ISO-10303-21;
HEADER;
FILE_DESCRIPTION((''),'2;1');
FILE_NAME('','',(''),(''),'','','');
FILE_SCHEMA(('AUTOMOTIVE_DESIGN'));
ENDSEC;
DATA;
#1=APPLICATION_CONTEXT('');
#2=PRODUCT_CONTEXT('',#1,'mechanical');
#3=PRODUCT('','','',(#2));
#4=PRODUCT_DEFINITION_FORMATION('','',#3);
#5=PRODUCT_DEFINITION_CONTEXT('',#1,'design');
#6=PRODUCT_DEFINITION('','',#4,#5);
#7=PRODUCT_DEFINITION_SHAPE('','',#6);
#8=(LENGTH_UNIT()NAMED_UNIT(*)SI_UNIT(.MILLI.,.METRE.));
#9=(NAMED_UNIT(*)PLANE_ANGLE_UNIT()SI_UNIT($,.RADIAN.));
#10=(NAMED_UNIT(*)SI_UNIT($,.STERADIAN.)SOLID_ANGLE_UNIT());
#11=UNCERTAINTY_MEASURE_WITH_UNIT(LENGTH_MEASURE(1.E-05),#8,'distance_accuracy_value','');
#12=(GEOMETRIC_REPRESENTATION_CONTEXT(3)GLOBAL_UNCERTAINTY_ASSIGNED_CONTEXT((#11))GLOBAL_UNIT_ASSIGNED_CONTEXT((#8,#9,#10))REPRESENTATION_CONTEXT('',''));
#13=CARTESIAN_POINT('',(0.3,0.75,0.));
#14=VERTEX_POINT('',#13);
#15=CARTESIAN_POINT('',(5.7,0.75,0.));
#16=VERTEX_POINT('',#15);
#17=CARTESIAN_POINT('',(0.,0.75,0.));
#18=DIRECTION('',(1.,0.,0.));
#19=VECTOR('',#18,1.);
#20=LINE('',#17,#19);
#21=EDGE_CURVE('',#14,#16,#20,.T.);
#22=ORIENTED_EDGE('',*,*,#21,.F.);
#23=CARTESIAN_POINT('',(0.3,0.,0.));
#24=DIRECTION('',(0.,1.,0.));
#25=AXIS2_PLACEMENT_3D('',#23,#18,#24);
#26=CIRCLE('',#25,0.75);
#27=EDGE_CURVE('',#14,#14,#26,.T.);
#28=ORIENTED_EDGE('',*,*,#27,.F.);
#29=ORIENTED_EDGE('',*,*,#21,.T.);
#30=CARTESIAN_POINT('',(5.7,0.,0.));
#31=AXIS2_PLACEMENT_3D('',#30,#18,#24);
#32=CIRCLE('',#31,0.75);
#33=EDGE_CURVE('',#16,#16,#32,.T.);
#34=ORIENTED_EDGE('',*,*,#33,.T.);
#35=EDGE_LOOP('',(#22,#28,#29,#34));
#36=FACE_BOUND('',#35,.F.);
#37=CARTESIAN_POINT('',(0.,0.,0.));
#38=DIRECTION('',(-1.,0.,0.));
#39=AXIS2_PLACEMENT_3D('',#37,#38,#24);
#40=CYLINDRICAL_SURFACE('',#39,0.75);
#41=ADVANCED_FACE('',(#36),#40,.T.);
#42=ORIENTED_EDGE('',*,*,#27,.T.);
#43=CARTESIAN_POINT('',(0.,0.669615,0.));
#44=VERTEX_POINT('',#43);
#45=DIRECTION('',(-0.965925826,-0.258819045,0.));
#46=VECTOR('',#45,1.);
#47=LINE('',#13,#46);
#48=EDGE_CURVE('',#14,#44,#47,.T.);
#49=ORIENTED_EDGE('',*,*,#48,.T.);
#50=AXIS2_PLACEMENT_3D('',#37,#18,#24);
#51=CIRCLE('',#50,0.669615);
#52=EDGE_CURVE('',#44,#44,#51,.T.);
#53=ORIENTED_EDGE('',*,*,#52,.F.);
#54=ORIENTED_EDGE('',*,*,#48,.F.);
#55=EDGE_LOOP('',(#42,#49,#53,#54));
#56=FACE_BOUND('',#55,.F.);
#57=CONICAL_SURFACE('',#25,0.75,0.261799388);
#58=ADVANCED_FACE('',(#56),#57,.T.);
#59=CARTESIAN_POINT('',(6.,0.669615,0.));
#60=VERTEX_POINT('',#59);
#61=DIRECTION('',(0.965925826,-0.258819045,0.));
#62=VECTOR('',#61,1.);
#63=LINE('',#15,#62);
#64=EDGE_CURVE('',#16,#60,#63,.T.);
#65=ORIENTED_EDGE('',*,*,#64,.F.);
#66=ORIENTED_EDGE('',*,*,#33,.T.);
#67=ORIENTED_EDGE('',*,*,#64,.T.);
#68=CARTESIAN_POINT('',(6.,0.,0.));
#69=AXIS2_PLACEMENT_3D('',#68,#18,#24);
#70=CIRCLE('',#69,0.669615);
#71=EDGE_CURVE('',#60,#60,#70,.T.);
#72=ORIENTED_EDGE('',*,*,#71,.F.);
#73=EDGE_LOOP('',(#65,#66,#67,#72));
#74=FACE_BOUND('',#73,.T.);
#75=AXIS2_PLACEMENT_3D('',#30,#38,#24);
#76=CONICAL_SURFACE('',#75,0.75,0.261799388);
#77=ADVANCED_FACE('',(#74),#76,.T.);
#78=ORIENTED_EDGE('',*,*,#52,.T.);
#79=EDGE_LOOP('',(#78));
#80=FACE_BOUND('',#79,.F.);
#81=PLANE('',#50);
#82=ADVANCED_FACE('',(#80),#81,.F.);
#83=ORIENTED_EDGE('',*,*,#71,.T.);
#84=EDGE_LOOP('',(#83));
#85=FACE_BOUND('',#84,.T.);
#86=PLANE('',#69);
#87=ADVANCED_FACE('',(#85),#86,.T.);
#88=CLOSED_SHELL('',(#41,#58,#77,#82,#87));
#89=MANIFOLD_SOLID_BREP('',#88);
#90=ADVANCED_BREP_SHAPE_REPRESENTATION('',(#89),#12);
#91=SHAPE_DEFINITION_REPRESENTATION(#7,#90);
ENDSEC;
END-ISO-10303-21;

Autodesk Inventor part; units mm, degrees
ref_plane "YZ Plane" through (0, 0, 0) normal (1, 0, 0) x (0, 1, 0)
ref_plane "XZ Plane" through (0, 0, 0) normal (0, 1, 0) x (-1, 0, 0)
ref_plane "XY Plane" through (0, 0, 0) normal (0, 0, 1) x (1, 0, 0)
sketch "Skizze" plane through (0, 0, 0) normal (1, 0, 0) x (0, 1, 0)
  circle A0 centre (0, 0) radius 0.75
  dimension "d1" = 1.5
extrude "Körper" add sketch "Skizze" along normal blind 6
chamfer "Fase1" distance 0.3 angle 15 1 edges at (0, -0.75, 0) measured on face at (4, 0.7403, -0.1203)
chamfer "Skizze2" distance 0.3 angle 15 1 edges at (6, -0.75, 0) measured on face at (4.1, 0.7403, -0.1203)
equation "\"d1\" = NND"
equation "\"d2\" = NLG"
equation "\"d8\" = PHH"
equation "\"d9\" = FAWI"
equation "\"d12\" = PHH"
equation "\"d4\" = PHH"
equation "\"d5\" = FAWI"
equation "\"d11\" = PHH"
equation "\"NND\" = 1.5"
equation "\"NLG\" = 6"
equation "\"PHH\" = 0.3"
equation "\"FAWI\" = 15deg"
equation "\"KAH\" = 0"
properties part number "ISO 2338 - 1,5 m6 x 6" material "Edelstahl, austenitisch"
